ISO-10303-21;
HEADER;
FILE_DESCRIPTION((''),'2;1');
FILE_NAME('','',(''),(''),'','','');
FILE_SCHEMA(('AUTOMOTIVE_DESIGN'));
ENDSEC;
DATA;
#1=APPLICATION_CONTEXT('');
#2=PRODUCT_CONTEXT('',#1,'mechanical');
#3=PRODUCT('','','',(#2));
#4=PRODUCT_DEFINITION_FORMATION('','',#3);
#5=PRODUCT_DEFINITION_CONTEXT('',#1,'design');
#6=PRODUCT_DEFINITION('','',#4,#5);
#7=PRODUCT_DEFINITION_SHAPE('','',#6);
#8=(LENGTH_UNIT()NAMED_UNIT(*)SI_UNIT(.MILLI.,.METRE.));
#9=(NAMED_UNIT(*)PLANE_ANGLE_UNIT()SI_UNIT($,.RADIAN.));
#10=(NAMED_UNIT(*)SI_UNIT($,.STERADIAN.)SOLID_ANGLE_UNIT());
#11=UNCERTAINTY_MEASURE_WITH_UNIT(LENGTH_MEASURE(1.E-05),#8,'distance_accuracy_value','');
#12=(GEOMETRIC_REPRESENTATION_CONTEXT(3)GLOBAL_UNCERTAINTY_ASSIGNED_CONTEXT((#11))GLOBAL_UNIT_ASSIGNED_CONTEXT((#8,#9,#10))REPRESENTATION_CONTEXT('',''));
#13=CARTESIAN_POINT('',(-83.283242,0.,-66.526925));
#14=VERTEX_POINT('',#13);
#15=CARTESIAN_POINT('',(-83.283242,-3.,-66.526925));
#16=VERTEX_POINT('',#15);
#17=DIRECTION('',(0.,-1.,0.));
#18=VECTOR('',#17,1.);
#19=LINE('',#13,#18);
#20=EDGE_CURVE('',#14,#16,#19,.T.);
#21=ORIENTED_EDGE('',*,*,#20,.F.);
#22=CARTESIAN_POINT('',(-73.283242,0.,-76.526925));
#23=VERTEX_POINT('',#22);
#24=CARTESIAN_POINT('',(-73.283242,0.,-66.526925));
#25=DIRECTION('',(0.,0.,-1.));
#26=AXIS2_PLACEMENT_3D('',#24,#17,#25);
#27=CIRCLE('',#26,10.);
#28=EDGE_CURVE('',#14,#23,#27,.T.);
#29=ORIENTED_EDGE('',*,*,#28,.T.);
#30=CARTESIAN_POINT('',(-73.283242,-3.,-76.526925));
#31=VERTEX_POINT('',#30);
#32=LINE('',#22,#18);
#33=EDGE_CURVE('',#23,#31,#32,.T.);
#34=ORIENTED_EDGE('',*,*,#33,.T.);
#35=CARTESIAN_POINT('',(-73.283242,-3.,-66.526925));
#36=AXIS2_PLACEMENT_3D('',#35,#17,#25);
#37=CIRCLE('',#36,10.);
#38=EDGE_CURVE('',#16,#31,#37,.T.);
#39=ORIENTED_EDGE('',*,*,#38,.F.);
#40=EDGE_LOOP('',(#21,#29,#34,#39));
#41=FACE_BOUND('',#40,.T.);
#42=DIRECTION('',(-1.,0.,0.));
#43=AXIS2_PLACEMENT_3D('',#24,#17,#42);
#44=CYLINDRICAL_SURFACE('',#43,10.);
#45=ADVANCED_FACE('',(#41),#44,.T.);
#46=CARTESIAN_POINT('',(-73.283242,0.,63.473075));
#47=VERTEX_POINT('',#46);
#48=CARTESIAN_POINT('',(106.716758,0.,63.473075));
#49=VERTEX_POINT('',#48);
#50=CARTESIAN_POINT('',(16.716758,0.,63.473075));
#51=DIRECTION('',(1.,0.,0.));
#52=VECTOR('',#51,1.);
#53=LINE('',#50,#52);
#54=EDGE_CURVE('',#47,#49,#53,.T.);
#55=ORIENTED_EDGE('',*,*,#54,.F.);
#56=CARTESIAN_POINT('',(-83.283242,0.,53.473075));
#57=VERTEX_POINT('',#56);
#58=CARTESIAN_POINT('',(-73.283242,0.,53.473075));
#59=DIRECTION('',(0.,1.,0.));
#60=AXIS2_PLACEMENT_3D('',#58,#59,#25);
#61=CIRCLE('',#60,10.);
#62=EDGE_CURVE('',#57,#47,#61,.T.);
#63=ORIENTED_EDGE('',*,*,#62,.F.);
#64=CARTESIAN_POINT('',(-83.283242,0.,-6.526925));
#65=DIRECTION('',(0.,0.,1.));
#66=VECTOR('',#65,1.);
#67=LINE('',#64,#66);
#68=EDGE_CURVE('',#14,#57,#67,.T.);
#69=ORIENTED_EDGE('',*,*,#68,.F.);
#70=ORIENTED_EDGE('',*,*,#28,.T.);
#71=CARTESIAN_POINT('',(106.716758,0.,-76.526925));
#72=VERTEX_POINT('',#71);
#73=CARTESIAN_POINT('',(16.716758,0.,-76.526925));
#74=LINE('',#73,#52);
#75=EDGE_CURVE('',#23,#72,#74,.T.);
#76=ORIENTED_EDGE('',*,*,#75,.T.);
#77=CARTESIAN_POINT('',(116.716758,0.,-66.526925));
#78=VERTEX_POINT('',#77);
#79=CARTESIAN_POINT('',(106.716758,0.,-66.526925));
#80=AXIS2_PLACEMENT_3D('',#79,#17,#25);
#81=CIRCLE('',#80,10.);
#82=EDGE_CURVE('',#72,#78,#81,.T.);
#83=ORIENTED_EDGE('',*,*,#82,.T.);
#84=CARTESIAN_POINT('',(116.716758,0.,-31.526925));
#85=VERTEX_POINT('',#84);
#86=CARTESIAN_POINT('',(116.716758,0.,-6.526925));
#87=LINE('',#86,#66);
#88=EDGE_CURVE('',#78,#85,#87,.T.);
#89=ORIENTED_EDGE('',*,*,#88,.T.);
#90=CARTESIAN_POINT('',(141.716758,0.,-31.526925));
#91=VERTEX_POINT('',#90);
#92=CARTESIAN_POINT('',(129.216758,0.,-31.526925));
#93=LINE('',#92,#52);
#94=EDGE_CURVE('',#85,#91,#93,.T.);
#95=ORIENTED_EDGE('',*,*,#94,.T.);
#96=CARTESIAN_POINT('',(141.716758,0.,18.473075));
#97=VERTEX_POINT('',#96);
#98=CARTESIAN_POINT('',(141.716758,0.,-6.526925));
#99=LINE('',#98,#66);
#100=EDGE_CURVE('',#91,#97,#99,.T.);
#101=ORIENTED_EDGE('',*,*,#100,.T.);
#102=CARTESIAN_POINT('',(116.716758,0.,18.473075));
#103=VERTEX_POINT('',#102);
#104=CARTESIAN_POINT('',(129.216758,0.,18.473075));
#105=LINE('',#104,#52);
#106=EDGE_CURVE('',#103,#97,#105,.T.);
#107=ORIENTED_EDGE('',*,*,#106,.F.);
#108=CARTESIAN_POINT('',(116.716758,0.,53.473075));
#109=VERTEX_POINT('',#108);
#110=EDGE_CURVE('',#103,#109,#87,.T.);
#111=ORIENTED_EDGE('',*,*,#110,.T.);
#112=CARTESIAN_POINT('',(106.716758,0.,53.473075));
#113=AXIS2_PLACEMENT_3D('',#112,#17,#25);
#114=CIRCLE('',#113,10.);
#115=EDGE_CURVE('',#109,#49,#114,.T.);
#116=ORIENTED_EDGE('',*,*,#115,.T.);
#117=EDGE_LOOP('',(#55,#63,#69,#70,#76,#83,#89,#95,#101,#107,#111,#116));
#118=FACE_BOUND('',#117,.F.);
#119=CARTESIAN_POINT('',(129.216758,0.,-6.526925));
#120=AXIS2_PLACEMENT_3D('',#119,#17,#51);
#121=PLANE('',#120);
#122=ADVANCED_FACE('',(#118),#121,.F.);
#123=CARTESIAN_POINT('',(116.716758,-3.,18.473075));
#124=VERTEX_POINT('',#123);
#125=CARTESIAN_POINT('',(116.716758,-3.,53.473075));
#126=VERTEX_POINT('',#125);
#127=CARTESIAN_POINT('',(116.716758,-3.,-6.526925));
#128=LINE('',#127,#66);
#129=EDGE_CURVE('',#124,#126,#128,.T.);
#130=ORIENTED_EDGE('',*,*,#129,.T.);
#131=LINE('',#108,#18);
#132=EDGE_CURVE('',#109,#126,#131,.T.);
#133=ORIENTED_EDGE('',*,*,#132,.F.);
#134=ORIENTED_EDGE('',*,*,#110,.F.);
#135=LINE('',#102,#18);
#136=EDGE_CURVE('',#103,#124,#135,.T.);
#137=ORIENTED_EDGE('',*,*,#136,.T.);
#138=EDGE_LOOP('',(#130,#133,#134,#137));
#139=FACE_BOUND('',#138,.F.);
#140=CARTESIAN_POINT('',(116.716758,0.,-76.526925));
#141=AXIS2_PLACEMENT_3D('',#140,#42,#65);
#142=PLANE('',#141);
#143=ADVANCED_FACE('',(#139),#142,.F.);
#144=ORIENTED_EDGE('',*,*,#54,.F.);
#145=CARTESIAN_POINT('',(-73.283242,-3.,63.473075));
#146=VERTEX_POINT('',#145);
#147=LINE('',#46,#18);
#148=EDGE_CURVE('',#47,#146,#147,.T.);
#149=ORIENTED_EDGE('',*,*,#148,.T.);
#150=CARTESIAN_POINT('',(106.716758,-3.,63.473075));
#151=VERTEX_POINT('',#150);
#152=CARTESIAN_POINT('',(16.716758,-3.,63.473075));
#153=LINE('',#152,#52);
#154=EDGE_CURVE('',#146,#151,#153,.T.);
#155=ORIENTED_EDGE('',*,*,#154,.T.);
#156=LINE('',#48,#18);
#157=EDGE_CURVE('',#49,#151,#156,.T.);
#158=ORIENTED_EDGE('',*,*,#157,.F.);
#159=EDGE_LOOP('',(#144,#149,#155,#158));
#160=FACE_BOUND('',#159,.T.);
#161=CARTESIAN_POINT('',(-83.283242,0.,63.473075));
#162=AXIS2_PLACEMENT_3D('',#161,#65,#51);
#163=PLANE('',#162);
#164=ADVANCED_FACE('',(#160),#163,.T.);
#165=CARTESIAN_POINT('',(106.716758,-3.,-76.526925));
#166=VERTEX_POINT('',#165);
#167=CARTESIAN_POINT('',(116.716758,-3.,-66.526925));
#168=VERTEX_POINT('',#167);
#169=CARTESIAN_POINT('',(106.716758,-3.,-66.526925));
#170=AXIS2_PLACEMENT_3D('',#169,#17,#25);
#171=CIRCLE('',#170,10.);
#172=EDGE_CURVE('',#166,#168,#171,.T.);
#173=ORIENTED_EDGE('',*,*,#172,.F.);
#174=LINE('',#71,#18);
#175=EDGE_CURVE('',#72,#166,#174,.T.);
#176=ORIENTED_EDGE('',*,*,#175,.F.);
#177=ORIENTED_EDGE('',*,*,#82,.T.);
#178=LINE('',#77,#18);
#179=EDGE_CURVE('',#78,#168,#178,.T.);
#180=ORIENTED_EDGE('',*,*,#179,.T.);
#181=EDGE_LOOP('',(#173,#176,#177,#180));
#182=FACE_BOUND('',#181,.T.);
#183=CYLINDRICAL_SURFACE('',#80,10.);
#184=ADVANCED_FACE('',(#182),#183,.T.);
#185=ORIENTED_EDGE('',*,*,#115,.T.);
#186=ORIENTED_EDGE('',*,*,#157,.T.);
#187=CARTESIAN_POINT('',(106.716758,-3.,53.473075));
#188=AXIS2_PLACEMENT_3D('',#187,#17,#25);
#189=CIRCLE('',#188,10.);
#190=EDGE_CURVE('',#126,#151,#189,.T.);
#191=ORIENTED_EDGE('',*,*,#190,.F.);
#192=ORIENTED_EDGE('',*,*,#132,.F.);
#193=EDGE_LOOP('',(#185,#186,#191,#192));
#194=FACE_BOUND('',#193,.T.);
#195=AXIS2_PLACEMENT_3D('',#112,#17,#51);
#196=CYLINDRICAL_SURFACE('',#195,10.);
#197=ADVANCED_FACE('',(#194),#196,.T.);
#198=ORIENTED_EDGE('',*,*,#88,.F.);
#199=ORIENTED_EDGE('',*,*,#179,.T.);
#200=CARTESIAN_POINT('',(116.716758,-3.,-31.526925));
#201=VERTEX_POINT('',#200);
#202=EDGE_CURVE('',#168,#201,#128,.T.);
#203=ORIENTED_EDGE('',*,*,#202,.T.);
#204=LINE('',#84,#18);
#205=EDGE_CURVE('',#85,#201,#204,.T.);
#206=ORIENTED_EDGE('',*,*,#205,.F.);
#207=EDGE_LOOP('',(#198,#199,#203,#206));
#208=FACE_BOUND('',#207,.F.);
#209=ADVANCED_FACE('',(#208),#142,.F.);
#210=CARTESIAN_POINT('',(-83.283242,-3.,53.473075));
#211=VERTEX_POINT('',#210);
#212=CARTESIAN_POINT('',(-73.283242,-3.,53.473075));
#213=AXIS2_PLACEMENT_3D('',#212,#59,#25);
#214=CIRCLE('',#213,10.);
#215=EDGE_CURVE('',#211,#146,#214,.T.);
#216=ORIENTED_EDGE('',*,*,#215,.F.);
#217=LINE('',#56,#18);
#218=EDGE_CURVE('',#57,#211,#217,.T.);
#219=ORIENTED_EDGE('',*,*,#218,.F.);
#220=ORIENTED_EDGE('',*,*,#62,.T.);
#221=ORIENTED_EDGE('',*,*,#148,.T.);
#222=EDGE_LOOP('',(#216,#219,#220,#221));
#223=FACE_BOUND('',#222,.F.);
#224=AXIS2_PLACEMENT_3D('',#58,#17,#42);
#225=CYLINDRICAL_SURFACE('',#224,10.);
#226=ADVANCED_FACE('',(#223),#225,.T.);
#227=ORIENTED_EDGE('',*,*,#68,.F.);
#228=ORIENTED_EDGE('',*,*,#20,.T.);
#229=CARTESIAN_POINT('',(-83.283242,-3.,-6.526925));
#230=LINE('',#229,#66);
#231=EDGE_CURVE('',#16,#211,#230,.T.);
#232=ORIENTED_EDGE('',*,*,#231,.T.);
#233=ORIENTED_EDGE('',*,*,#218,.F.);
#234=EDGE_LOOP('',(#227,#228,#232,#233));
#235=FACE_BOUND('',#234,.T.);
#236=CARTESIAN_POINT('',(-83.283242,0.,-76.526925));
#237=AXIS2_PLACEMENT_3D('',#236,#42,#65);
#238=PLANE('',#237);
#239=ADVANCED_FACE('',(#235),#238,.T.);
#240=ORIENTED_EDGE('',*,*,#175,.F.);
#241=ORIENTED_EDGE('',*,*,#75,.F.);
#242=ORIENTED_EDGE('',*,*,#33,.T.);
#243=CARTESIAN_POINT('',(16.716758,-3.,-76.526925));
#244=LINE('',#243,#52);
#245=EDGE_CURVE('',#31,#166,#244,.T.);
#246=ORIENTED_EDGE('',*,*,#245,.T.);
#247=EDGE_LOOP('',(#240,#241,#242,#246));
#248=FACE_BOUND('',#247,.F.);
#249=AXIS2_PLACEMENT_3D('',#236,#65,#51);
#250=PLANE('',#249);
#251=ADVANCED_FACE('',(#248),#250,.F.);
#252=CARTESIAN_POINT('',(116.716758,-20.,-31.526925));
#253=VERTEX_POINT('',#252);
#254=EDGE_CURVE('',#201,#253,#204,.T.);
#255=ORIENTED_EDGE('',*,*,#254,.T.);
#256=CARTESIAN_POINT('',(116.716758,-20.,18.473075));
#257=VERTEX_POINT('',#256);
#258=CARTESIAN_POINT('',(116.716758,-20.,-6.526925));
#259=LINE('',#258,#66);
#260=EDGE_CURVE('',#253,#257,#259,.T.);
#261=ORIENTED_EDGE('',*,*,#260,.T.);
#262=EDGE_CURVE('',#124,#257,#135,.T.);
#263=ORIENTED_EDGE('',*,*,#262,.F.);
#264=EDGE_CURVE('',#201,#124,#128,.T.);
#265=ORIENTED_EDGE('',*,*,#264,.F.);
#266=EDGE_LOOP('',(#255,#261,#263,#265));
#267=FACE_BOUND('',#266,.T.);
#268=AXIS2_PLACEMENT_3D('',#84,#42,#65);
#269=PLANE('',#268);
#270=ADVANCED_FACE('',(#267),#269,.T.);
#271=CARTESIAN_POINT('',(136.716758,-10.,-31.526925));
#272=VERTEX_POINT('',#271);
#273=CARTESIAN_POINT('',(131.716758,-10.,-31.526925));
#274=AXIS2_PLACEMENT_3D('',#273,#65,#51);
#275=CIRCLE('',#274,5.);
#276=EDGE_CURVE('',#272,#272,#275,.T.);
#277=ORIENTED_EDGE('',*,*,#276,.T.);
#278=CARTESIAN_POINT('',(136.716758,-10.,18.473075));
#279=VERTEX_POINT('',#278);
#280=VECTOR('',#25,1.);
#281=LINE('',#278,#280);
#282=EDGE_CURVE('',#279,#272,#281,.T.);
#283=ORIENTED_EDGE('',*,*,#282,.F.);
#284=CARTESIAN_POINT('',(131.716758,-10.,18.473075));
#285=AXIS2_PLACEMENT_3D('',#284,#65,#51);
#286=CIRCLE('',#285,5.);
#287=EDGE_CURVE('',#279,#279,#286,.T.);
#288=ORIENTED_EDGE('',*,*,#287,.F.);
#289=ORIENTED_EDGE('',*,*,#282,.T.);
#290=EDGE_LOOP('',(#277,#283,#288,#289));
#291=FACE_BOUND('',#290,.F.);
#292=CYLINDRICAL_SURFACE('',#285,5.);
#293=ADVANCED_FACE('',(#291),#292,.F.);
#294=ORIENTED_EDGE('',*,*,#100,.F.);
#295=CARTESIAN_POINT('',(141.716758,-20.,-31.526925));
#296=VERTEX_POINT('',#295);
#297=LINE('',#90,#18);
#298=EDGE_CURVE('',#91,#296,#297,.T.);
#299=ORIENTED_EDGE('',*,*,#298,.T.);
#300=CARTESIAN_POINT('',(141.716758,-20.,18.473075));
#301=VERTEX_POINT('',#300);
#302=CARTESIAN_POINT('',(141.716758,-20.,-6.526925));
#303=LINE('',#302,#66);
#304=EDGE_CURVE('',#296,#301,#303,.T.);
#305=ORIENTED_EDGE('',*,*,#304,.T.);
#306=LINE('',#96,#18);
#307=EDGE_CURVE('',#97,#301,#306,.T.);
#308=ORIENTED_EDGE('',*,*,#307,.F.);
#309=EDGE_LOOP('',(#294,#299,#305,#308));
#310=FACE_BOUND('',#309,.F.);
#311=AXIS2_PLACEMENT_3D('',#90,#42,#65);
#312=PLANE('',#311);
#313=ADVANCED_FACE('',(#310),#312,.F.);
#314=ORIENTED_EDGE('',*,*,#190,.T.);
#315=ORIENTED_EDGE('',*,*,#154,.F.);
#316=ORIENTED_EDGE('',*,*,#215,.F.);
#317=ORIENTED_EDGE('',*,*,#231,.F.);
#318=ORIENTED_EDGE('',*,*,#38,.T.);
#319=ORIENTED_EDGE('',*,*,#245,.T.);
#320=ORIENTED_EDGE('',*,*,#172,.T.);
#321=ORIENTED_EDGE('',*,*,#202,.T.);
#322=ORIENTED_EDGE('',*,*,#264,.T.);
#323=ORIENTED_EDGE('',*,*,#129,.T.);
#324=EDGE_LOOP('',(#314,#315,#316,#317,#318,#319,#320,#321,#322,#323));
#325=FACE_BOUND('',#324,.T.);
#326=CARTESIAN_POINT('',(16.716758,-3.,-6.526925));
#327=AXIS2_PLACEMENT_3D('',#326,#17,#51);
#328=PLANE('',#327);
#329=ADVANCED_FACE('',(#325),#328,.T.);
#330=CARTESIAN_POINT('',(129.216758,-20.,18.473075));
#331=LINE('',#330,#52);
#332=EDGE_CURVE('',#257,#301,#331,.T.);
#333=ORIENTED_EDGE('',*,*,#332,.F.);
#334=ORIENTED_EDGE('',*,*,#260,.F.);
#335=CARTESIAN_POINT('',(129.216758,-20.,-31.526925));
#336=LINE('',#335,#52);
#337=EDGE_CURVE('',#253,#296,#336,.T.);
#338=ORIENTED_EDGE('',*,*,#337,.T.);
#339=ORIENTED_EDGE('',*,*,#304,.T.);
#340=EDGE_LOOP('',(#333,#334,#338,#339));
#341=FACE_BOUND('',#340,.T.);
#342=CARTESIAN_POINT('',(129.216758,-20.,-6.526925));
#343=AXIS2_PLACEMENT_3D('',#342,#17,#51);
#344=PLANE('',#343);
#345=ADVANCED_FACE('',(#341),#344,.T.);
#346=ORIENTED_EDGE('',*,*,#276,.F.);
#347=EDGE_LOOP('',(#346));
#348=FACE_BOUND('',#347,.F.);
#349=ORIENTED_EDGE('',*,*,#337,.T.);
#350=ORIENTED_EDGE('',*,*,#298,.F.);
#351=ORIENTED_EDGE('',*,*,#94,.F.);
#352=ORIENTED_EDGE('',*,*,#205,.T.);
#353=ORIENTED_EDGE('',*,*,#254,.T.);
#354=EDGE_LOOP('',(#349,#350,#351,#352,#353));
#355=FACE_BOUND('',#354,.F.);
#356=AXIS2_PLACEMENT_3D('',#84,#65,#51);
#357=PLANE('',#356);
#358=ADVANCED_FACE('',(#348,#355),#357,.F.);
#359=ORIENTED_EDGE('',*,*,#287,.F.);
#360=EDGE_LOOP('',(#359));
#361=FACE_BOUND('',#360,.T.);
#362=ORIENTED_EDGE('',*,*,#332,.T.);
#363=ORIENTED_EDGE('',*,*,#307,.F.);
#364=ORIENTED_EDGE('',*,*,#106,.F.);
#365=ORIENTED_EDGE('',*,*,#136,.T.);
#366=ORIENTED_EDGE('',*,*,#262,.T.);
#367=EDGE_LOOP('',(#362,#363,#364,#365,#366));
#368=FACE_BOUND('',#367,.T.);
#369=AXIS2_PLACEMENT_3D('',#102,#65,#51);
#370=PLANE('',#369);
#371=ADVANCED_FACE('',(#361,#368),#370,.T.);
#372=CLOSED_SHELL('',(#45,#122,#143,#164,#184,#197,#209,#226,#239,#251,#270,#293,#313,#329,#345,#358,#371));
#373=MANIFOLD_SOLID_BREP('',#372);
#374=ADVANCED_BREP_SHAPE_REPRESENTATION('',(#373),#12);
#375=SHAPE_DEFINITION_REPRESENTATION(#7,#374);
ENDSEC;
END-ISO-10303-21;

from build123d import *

# Parameters (mm, degrees)
F0_W     = 200
F0_H     = 140
F1_DEPTH = 3
F2_R     = 10
F3_W     = 25
F3_H     = 50
F4_DEPTH = 20
F5_R     = 5
F6_DEPTH = 87.527208


with BuildPart() as f1:
    # F0 (on Front) → F1 (new body)
    with BuildSketch(Plane.XZ):
        with Locations((16.716758, -6.526925)):
            Rectangle(F0_W, F0_H)
    extrude(amount=F1_DEPTH)

    # F2
    f2_edges = [f1.edges().sort_by_distance(p)[0] for p in [
        (-83.283242, -1.5, -76.526925),
        (116.716758, -1.5, 63.473075),
        (116.716758, -1.5, -76.526925),
        (-83.283242, -1.5, 63.473075),
    ]]
    fillet(f2_edges, radius=F2_R)

    # F3 (on Front) → F4 (join)
    with BuildSketch(Plane.XZ):
        with Locations((129.216758, -6.526925)):
            Rectangle(F3_W, F3_H)
    extrude(amount=F4_DEPTH)

    # F5 (on face) → F6 (cut)
    with BuildSketch(Plane.XY.offset(18.473075)):
        with Locations((131.716758, -10)):
            Circle(F5_R)
    extrude(amount=-F6_DEPTH, mode=Mode.SUBTRACT)


solid = f1.part
